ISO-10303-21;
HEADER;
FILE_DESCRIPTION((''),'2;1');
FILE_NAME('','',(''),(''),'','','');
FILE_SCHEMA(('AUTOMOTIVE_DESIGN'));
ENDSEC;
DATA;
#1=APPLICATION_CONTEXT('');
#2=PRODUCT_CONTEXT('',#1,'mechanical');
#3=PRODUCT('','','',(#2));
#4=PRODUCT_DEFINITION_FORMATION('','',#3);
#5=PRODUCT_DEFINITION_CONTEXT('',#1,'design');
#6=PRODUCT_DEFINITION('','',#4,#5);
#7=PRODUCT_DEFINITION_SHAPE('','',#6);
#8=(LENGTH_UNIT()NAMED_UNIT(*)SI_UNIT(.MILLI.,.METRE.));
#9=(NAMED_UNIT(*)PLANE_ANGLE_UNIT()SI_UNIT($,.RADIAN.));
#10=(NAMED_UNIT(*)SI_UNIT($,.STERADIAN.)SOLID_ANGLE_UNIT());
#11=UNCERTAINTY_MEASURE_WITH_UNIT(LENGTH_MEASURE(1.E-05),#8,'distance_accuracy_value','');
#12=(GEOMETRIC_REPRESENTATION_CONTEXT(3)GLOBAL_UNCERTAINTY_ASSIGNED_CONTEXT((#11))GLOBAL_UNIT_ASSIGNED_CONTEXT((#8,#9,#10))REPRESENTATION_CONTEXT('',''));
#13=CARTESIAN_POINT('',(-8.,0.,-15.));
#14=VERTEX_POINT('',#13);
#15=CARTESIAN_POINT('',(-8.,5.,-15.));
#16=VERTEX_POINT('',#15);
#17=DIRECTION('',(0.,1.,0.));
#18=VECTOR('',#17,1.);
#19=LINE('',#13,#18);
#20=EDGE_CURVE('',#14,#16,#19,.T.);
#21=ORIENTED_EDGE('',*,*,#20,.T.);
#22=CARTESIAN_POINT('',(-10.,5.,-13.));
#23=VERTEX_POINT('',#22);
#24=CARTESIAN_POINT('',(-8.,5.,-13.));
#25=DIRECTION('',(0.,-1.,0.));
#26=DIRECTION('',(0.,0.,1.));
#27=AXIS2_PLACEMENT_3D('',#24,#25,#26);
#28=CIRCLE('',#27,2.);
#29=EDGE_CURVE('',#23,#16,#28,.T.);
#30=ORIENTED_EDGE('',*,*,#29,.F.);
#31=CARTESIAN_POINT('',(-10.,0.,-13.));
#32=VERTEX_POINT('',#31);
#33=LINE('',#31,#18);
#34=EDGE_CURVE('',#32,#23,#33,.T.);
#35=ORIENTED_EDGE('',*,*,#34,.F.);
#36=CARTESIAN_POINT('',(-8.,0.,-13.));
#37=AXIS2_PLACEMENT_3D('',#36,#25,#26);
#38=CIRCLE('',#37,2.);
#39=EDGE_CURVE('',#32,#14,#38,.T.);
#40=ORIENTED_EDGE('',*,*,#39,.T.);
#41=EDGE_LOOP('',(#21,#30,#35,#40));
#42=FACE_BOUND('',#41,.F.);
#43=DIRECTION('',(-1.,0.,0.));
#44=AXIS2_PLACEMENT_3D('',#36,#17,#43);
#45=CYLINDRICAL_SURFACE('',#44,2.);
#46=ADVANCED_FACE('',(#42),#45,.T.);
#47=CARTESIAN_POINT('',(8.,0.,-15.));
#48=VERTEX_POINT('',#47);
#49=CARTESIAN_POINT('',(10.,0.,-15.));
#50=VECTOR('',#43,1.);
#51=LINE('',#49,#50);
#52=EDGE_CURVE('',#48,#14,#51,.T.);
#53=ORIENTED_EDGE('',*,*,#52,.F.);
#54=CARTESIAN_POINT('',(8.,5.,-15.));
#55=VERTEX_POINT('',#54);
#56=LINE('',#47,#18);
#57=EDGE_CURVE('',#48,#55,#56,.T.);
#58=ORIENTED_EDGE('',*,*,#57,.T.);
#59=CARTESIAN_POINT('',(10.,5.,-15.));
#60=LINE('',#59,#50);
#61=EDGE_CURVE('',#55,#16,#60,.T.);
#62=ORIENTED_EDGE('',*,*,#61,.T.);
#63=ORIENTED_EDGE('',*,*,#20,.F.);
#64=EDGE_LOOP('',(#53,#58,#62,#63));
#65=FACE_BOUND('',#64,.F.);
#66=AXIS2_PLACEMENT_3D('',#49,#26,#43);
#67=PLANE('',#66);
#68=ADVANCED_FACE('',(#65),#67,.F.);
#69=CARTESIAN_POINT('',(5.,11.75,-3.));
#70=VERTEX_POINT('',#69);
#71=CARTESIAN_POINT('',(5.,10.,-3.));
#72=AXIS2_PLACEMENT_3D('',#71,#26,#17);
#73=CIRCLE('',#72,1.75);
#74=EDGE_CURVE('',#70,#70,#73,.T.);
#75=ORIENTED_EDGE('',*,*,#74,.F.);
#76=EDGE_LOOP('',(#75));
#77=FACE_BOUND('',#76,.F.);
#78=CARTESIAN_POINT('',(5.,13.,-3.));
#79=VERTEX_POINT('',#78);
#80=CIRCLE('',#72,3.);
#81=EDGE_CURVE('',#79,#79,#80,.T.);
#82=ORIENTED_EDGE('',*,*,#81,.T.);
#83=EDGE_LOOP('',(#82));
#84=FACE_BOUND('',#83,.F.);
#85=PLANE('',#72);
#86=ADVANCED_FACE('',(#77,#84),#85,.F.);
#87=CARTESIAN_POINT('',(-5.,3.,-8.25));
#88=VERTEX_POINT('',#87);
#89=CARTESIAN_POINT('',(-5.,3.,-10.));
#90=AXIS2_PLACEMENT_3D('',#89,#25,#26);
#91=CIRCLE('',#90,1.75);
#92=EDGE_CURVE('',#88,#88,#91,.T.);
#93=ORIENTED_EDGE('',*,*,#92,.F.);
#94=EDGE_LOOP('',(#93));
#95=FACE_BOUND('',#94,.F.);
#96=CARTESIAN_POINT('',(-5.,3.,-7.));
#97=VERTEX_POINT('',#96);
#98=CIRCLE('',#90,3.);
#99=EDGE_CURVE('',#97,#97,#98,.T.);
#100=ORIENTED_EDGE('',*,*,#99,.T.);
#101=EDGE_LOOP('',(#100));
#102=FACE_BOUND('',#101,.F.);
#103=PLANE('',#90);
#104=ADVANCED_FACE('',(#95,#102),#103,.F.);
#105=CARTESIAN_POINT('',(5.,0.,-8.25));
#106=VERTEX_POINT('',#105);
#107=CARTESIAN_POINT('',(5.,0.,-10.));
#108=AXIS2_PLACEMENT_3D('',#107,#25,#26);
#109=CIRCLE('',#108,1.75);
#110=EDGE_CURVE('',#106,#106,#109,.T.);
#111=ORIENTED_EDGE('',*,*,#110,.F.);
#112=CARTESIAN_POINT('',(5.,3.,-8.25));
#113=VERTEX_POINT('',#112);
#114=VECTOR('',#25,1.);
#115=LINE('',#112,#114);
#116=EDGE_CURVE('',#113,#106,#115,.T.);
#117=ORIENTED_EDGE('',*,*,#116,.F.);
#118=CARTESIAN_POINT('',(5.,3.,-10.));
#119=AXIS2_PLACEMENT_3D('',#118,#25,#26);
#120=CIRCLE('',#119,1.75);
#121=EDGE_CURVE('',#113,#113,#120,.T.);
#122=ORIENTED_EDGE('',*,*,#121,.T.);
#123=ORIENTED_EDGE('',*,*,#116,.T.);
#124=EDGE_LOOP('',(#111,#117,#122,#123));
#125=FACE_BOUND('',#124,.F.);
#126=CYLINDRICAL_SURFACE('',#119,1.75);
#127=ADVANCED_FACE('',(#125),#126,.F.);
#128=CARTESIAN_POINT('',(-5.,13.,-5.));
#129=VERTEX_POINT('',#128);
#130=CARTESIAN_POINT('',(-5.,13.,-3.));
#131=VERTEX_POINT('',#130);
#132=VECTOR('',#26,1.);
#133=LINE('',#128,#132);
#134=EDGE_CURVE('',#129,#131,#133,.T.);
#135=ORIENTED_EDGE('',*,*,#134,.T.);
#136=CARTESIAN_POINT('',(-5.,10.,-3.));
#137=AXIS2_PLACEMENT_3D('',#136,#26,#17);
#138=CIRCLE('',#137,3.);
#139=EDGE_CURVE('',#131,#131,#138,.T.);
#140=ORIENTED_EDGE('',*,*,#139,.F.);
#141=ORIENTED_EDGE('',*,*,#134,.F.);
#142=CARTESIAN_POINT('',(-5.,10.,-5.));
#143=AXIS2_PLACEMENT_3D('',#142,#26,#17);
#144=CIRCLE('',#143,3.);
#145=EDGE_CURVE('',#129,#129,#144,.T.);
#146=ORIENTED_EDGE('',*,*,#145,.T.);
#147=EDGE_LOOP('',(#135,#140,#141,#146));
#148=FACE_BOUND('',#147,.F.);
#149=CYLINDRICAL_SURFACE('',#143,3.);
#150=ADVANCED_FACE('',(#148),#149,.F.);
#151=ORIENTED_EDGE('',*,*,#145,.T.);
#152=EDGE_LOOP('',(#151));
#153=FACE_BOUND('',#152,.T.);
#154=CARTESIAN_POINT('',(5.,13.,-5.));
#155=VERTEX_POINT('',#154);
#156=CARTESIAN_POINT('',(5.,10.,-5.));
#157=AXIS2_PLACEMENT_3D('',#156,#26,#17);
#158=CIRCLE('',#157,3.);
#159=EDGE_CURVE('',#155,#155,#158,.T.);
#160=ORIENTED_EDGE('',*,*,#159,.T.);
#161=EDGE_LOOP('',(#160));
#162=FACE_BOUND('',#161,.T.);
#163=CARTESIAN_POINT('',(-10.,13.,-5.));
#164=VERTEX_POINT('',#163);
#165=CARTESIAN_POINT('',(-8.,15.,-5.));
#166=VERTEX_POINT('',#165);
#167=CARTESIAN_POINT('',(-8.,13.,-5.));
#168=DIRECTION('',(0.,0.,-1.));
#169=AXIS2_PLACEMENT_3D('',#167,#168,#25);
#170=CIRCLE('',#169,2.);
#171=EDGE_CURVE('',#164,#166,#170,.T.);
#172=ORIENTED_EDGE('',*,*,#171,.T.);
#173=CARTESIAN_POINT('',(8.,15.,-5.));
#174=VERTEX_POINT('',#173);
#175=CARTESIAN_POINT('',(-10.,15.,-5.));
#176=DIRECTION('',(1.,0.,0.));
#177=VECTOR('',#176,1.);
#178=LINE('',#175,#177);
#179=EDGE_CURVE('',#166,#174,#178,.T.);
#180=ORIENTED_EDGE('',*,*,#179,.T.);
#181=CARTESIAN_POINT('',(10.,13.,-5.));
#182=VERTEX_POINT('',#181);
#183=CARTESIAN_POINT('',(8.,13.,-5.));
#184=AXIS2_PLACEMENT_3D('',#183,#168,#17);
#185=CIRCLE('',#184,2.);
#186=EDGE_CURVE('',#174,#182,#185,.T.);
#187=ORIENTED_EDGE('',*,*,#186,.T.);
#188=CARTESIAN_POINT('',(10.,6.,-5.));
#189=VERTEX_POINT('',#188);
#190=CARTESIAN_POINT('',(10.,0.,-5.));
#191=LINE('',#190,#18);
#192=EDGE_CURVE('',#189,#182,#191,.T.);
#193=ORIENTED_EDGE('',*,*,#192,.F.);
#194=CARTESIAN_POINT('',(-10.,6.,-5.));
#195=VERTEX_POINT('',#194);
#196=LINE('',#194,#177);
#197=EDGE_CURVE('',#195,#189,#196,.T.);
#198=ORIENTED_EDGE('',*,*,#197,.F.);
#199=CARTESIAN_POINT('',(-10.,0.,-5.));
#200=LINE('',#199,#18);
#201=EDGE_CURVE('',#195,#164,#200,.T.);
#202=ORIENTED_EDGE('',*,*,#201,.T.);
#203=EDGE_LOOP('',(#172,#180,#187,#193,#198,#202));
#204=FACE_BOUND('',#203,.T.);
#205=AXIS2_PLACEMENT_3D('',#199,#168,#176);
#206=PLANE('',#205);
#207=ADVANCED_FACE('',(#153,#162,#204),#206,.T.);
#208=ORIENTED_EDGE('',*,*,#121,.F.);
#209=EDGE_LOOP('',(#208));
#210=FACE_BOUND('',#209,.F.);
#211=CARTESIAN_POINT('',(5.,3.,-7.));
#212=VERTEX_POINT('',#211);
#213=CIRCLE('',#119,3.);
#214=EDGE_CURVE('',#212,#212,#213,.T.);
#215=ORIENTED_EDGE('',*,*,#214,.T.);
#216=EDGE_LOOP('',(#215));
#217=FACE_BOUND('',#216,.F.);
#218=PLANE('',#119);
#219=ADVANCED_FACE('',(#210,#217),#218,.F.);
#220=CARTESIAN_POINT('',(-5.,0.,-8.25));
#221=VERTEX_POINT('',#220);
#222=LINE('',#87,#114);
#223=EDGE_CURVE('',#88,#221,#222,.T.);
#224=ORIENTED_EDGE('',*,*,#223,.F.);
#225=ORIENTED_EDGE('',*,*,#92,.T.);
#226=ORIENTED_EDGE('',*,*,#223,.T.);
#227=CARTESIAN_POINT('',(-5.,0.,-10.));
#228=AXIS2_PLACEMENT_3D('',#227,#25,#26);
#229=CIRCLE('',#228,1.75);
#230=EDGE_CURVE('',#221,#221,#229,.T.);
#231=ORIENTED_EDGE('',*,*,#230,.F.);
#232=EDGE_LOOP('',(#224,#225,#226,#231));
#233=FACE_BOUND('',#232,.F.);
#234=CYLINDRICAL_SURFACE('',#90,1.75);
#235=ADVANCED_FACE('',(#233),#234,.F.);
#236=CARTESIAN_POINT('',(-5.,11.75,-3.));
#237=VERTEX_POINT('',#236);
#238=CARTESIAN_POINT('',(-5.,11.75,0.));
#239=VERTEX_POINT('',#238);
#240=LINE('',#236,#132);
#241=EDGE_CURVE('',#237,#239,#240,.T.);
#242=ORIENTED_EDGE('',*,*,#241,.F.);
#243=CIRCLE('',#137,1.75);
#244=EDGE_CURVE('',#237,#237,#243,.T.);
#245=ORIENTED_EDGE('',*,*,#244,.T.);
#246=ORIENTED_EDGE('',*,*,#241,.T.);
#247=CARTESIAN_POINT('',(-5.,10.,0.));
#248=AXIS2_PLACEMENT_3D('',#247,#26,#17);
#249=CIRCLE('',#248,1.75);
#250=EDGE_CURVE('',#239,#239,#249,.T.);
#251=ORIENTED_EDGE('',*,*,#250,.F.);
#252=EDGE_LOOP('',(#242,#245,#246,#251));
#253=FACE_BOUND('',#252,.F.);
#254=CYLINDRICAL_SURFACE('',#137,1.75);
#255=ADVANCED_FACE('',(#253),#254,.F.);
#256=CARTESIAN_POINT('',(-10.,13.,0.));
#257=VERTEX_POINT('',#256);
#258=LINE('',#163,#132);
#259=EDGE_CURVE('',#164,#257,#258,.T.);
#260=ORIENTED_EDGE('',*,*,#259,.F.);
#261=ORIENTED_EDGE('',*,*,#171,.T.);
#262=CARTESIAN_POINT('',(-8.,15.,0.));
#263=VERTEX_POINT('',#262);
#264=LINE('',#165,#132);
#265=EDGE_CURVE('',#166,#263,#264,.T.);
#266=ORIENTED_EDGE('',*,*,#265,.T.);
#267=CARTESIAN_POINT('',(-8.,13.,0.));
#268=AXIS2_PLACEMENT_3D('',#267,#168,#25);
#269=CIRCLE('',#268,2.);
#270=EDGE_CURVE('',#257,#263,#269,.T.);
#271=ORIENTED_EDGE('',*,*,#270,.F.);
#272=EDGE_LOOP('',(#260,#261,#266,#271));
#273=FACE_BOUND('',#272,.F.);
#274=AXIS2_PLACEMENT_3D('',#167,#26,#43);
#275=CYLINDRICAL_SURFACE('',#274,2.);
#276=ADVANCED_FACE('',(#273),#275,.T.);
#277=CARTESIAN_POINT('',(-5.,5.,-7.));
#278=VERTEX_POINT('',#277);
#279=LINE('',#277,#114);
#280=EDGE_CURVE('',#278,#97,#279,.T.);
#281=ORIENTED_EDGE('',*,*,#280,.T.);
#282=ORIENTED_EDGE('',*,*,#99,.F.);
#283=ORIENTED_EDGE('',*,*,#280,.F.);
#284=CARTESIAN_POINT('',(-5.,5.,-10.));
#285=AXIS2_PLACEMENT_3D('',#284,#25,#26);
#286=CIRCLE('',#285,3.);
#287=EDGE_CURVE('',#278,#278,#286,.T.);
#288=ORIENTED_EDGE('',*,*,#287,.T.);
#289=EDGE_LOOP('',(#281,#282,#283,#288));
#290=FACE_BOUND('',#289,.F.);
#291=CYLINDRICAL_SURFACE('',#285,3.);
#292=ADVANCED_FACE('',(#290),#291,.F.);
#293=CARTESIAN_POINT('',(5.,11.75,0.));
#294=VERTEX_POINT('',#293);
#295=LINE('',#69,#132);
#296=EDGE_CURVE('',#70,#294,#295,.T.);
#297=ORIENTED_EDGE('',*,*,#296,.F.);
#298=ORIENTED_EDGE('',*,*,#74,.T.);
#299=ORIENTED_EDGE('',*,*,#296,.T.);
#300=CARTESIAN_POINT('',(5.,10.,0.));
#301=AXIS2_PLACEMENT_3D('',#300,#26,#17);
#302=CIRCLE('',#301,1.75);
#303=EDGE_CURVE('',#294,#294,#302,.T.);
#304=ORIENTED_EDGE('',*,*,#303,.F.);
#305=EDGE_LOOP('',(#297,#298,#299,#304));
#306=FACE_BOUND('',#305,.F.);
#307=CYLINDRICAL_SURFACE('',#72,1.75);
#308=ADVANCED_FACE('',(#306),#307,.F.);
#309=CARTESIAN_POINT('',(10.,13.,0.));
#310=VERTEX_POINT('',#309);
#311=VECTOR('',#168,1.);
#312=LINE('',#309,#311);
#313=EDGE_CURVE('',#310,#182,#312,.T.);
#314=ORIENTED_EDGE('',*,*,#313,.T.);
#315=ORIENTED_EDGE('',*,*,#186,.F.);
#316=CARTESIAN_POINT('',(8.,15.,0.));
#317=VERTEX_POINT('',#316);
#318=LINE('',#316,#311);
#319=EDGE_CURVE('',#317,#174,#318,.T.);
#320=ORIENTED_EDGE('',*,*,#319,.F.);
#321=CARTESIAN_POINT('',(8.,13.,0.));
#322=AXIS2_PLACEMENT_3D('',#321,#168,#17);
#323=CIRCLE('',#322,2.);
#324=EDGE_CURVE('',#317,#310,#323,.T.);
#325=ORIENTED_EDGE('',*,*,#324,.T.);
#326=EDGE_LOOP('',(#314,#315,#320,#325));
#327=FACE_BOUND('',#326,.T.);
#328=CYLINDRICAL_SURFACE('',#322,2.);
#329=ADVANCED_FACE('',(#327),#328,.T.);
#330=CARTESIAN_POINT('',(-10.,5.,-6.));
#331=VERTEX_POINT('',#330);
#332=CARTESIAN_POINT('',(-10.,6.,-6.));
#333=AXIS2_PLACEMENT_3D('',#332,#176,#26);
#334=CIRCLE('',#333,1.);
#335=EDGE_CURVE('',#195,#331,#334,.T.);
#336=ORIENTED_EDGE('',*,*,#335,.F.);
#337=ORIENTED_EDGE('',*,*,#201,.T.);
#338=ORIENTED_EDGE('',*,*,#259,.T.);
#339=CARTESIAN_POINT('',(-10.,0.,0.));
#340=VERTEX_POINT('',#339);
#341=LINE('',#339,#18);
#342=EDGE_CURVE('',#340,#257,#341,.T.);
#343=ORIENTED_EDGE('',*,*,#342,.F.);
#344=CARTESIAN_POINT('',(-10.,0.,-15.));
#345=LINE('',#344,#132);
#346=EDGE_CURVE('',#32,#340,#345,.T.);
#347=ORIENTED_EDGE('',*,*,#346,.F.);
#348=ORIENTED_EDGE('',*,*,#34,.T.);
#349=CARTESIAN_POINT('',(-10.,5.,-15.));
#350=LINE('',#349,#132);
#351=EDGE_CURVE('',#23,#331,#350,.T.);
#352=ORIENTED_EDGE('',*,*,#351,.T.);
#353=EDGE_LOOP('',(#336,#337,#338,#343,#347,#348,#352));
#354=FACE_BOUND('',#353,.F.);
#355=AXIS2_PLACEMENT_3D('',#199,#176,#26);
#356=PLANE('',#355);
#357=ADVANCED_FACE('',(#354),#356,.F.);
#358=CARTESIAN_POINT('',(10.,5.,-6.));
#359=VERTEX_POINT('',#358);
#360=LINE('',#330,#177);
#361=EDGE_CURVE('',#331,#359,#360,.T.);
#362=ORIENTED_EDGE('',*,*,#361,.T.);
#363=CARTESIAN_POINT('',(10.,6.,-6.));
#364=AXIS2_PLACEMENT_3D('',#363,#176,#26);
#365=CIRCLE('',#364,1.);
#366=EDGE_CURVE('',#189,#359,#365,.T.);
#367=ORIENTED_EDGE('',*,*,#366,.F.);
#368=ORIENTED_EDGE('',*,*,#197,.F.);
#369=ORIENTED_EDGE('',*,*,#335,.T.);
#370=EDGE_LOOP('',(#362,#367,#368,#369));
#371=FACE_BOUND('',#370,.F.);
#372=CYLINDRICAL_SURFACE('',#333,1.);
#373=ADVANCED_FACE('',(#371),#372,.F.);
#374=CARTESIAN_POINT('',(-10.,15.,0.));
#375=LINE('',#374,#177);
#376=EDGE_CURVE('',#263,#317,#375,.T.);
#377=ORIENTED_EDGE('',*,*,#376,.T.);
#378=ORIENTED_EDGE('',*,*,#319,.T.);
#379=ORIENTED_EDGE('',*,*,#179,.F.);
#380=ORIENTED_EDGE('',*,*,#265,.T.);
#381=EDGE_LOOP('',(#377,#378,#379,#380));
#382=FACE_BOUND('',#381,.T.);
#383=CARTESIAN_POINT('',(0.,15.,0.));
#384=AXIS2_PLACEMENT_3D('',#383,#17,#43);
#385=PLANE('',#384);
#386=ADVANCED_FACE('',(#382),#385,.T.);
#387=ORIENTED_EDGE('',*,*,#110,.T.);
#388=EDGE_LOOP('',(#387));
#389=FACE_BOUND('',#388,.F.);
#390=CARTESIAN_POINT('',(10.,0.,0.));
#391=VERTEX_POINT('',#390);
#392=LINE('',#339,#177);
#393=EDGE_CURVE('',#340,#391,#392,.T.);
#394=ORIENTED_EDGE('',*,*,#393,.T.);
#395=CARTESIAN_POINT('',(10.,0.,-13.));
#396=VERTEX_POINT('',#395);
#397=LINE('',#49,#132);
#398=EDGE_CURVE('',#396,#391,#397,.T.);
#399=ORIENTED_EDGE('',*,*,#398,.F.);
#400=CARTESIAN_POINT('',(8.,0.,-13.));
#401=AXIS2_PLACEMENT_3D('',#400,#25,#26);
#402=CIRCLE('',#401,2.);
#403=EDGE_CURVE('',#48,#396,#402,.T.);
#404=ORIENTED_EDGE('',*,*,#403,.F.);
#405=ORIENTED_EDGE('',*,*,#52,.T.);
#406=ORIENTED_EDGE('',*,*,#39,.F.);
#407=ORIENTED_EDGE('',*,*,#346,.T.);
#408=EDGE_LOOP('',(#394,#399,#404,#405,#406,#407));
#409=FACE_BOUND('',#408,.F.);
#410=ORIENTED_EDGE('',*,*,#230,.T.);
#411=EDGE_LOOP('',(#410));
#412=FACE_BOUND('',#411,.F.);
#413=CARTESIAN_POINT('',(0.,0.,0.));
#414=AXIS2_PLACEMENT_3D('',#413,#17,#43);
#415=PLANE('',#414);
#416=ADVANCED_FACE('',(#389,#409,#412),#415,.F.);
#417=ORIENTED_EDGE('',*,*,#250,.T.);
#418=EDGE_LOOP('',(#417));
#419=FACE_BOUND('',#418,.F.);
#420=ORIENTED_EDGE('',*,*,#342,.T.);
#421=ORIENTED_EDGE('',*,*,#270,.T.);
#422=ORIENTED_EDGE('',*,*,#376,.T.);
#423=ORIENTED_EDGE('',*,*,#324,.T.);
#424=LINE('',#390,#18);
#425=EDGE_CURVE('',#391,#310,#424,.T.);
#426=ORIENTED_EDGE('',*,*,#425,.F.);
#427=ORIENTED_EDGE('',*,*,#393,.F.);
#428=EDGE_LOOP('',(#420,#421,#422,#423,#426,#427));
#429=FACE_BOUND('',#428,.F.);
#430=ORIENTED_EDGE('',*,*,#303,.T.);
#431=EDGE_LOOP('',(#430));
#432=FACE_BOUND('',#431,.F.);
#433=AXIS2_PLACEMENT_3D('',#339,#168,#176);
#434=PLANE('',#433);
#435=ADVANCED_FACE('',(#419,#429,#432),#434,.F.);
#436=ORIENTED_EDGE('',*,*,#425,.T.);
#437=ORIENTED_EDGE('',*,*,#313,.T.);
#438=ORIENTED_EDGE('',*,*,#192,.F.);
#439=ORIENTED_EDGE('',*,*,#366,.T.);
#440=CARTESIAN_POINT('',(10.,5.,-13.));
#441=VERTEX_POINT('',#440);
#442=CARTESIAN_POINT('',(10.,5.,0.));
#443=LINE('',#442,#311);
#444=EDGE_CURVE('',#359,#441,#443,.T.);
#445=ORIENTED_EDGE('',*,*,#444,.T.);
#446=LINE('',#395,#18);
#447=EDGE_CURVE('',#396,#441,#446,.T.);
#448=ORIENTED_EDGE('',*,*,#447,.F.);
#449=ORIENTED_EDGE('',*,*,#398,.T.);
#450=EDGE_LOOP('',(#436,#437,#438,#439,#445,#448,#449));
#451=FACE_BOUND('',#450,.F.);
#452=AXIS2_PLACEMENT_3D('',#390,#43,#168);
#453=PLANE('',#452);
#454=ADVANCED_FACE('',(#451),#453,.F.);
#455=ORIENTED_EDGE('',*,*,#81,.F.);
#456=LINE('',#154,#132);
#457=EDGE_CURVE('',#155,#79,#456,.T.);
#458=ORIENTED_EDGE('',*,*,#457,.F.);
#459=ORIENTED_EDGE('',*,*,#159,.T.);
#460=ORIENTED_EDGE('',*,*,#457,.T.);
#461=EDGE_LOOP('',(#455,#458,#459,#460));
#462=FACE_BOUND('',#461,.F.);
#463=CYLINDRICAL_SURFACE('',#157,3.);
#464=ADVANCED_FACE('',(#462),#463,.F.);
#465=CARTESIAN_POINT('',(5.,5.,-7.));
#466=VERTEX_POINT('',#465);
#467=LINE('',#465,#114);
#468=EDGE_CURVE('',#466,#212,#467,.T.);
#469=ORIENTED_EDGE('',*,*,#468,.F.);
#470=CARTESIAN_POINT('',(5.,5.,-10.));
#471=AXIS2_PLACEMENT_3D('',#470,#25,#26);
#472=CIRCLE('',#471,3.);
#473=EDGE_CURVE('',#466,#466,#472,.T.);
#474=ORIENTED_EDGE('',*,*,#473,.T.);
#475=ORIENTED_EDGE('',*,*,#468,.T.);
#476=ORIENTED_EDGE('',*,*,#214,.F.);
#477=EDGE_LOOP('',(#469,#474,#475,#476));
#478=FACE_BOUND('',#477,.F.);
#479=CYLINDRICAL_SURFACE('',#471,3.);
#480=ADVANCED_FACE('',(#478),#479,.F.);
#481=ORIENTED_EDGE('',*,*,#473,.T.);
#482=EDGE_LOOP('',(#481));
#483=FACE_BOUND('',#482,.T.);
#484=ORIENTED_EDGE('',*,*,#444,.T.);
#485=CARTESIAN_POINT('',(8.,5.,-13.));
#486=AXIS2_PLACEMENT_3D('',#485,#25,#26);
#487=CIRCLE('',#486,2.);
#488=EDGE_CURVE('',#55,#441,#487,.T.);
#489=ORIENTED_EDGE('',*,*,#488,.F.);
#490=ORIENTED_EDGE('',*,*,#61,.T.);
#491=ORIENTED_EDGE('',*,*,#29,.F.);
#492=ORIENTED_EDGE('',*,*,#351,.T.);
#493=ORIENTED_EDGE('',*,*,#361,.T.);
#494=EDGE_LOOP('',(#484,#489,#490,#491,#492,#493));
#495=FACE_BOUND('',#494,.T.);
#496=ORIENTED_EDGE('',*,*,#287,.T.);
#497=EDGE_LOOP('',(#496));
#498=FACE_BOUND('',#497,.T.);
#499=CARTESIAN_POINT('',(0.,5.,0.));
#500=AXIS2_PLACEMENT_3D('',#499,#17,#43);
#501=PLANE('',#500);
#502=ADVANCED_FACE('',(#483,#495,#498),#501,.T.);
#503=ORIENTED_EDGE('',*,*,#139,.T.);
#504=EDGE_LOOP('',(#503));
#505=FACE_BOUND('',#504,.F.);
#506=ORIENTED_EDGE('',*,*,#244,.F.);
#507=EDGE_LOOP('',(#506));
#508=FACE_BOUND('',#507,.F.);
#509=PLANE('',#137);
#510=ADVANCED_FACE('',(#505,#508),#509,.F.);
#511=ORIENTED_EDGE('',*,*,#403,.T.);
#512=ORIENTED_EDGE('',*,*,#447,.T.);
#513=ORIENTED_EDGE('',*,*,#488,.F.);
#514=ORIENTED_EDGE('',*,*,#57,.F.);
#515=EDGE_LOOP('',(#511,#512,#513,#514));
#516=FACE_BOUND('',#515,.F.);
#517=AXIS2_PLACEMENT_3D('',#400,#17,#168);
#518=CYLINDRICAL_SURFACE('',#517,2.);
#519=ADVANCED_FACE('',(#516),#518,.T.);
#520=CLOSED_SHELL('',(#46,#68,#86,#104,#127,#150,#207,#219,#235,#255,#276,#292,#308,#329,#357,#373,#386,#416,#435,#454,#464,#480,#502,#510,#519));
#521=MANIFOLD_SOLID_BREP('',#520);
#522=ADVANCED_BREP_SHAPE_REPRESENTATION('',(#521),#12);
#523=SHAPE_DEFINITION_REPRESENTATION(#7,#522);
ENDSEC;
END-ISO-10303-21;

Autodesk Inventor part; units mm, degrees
ref_plane "YZ Plane" through (0, 0, 0) normal (1, 0, 0) x (0, 1, 0)
ref_plane "XZ Plane" through (0, 0, 0) normal (0, 1, 0) x (-1, 0, 0)
ref_plane "XY Plane" through (0, 0, 0) normal (0, 0, 1) x (1, 0, 0)
sketch "Sketch1" plane through (0, 0, 0) normal (0, 1, 0) x (-1, 0, 0)
  line L0 (10, 0) -> (-10, 0)
  line L1 (10, -5) -> (-10, -5)
  line L2 (-10, 0) -> (-10, -15)
  line L3 (-10, -15) -> (10, -15)
  line L4 (10, -15) -> (10, 0)
  point P0 (0, 0)
  dimension "d15" = 15
  dimension "d16" = 20
extrude "Extrusion1" add sketch "Sketch1" along normal blind 15 contours L4 L1 L2 L0
extrude "Extrusion2" add sketch "Sketch1" along normal blind 5 contours L4 L3 L2 L1
sketch "Sketch2" plane through (0, 5, 0) normal (0, 1, 0) x (1, 0, 0)
  line L0 (-10, 15) -> (-10, 0) projected
  line L1 (-10, 15) -> (-5, 15)
  line L2 (10, 15) -> (-10, 15) projected
  line L3 (-5, 15) -> (-5, 10)
  line L4 (10, 15) -> (5, 15)
  line L5 (5, 15) -> (5, 10)
  point P0 (0, 0)
  dimension "d21" = 5
  dimension "d22" = 5
  dimension "d23" = 5
  dimension "d24" = 5
  dimension "d60" = 10
hole "Hole1" at (-5, 5, -10) direction (0, -1, 0) diameter 3.5 end through all counterbore diameter 6 counterbore depth 2
hole "Hole2" at (5, 5, -10) direction (0, -1, 0) diameter 3.5 end through all counterbore diameter 6 counterbore depth 2
sketch "Sketch3" plane through (10, 15, -5) normal (0, 0, -1) x (-1, 0, 0)
  line L0 (20, -10) -> (20, 0) projected
  line L1 (20, 0) -> (15, 0)
  line L2 (0, 0) -> (20, 0) projected
  line L3 (15, 0) -> (15, -5)
  line L4 (0, -10) -> (0, 0) projected
  line L5 (0, 0) -> (5, 0)
  line L6 (5, 0) -> (5, -5)
  point P0 (10, -15)
  dimension "d39" = 5
  dimension "d40" = 5
  dimension "d41" = 5
  dimension "d42" = 5
hole "Hole3" at (-5, 10, -5) direction (0, 0, 1) diameter 3.5 end through all counterbore diameter 6 counterbore depth 2
hole "Hole4" at (5, 10, -5) direction (0, 0, 1) diameter 3.5 end through all counterbore diameter 6 counterbore depth 2
fillet "Fillet2" radius 2 4 edges at (-10, 2.5, -15) (10, 2.5, -15) (10, 15, -2.5) (-10, 15, -2.5)
fillet "Fillet2" radius 1 1 edges at (0, 5, -5)
properties part number "Brackets RC mounting board"
